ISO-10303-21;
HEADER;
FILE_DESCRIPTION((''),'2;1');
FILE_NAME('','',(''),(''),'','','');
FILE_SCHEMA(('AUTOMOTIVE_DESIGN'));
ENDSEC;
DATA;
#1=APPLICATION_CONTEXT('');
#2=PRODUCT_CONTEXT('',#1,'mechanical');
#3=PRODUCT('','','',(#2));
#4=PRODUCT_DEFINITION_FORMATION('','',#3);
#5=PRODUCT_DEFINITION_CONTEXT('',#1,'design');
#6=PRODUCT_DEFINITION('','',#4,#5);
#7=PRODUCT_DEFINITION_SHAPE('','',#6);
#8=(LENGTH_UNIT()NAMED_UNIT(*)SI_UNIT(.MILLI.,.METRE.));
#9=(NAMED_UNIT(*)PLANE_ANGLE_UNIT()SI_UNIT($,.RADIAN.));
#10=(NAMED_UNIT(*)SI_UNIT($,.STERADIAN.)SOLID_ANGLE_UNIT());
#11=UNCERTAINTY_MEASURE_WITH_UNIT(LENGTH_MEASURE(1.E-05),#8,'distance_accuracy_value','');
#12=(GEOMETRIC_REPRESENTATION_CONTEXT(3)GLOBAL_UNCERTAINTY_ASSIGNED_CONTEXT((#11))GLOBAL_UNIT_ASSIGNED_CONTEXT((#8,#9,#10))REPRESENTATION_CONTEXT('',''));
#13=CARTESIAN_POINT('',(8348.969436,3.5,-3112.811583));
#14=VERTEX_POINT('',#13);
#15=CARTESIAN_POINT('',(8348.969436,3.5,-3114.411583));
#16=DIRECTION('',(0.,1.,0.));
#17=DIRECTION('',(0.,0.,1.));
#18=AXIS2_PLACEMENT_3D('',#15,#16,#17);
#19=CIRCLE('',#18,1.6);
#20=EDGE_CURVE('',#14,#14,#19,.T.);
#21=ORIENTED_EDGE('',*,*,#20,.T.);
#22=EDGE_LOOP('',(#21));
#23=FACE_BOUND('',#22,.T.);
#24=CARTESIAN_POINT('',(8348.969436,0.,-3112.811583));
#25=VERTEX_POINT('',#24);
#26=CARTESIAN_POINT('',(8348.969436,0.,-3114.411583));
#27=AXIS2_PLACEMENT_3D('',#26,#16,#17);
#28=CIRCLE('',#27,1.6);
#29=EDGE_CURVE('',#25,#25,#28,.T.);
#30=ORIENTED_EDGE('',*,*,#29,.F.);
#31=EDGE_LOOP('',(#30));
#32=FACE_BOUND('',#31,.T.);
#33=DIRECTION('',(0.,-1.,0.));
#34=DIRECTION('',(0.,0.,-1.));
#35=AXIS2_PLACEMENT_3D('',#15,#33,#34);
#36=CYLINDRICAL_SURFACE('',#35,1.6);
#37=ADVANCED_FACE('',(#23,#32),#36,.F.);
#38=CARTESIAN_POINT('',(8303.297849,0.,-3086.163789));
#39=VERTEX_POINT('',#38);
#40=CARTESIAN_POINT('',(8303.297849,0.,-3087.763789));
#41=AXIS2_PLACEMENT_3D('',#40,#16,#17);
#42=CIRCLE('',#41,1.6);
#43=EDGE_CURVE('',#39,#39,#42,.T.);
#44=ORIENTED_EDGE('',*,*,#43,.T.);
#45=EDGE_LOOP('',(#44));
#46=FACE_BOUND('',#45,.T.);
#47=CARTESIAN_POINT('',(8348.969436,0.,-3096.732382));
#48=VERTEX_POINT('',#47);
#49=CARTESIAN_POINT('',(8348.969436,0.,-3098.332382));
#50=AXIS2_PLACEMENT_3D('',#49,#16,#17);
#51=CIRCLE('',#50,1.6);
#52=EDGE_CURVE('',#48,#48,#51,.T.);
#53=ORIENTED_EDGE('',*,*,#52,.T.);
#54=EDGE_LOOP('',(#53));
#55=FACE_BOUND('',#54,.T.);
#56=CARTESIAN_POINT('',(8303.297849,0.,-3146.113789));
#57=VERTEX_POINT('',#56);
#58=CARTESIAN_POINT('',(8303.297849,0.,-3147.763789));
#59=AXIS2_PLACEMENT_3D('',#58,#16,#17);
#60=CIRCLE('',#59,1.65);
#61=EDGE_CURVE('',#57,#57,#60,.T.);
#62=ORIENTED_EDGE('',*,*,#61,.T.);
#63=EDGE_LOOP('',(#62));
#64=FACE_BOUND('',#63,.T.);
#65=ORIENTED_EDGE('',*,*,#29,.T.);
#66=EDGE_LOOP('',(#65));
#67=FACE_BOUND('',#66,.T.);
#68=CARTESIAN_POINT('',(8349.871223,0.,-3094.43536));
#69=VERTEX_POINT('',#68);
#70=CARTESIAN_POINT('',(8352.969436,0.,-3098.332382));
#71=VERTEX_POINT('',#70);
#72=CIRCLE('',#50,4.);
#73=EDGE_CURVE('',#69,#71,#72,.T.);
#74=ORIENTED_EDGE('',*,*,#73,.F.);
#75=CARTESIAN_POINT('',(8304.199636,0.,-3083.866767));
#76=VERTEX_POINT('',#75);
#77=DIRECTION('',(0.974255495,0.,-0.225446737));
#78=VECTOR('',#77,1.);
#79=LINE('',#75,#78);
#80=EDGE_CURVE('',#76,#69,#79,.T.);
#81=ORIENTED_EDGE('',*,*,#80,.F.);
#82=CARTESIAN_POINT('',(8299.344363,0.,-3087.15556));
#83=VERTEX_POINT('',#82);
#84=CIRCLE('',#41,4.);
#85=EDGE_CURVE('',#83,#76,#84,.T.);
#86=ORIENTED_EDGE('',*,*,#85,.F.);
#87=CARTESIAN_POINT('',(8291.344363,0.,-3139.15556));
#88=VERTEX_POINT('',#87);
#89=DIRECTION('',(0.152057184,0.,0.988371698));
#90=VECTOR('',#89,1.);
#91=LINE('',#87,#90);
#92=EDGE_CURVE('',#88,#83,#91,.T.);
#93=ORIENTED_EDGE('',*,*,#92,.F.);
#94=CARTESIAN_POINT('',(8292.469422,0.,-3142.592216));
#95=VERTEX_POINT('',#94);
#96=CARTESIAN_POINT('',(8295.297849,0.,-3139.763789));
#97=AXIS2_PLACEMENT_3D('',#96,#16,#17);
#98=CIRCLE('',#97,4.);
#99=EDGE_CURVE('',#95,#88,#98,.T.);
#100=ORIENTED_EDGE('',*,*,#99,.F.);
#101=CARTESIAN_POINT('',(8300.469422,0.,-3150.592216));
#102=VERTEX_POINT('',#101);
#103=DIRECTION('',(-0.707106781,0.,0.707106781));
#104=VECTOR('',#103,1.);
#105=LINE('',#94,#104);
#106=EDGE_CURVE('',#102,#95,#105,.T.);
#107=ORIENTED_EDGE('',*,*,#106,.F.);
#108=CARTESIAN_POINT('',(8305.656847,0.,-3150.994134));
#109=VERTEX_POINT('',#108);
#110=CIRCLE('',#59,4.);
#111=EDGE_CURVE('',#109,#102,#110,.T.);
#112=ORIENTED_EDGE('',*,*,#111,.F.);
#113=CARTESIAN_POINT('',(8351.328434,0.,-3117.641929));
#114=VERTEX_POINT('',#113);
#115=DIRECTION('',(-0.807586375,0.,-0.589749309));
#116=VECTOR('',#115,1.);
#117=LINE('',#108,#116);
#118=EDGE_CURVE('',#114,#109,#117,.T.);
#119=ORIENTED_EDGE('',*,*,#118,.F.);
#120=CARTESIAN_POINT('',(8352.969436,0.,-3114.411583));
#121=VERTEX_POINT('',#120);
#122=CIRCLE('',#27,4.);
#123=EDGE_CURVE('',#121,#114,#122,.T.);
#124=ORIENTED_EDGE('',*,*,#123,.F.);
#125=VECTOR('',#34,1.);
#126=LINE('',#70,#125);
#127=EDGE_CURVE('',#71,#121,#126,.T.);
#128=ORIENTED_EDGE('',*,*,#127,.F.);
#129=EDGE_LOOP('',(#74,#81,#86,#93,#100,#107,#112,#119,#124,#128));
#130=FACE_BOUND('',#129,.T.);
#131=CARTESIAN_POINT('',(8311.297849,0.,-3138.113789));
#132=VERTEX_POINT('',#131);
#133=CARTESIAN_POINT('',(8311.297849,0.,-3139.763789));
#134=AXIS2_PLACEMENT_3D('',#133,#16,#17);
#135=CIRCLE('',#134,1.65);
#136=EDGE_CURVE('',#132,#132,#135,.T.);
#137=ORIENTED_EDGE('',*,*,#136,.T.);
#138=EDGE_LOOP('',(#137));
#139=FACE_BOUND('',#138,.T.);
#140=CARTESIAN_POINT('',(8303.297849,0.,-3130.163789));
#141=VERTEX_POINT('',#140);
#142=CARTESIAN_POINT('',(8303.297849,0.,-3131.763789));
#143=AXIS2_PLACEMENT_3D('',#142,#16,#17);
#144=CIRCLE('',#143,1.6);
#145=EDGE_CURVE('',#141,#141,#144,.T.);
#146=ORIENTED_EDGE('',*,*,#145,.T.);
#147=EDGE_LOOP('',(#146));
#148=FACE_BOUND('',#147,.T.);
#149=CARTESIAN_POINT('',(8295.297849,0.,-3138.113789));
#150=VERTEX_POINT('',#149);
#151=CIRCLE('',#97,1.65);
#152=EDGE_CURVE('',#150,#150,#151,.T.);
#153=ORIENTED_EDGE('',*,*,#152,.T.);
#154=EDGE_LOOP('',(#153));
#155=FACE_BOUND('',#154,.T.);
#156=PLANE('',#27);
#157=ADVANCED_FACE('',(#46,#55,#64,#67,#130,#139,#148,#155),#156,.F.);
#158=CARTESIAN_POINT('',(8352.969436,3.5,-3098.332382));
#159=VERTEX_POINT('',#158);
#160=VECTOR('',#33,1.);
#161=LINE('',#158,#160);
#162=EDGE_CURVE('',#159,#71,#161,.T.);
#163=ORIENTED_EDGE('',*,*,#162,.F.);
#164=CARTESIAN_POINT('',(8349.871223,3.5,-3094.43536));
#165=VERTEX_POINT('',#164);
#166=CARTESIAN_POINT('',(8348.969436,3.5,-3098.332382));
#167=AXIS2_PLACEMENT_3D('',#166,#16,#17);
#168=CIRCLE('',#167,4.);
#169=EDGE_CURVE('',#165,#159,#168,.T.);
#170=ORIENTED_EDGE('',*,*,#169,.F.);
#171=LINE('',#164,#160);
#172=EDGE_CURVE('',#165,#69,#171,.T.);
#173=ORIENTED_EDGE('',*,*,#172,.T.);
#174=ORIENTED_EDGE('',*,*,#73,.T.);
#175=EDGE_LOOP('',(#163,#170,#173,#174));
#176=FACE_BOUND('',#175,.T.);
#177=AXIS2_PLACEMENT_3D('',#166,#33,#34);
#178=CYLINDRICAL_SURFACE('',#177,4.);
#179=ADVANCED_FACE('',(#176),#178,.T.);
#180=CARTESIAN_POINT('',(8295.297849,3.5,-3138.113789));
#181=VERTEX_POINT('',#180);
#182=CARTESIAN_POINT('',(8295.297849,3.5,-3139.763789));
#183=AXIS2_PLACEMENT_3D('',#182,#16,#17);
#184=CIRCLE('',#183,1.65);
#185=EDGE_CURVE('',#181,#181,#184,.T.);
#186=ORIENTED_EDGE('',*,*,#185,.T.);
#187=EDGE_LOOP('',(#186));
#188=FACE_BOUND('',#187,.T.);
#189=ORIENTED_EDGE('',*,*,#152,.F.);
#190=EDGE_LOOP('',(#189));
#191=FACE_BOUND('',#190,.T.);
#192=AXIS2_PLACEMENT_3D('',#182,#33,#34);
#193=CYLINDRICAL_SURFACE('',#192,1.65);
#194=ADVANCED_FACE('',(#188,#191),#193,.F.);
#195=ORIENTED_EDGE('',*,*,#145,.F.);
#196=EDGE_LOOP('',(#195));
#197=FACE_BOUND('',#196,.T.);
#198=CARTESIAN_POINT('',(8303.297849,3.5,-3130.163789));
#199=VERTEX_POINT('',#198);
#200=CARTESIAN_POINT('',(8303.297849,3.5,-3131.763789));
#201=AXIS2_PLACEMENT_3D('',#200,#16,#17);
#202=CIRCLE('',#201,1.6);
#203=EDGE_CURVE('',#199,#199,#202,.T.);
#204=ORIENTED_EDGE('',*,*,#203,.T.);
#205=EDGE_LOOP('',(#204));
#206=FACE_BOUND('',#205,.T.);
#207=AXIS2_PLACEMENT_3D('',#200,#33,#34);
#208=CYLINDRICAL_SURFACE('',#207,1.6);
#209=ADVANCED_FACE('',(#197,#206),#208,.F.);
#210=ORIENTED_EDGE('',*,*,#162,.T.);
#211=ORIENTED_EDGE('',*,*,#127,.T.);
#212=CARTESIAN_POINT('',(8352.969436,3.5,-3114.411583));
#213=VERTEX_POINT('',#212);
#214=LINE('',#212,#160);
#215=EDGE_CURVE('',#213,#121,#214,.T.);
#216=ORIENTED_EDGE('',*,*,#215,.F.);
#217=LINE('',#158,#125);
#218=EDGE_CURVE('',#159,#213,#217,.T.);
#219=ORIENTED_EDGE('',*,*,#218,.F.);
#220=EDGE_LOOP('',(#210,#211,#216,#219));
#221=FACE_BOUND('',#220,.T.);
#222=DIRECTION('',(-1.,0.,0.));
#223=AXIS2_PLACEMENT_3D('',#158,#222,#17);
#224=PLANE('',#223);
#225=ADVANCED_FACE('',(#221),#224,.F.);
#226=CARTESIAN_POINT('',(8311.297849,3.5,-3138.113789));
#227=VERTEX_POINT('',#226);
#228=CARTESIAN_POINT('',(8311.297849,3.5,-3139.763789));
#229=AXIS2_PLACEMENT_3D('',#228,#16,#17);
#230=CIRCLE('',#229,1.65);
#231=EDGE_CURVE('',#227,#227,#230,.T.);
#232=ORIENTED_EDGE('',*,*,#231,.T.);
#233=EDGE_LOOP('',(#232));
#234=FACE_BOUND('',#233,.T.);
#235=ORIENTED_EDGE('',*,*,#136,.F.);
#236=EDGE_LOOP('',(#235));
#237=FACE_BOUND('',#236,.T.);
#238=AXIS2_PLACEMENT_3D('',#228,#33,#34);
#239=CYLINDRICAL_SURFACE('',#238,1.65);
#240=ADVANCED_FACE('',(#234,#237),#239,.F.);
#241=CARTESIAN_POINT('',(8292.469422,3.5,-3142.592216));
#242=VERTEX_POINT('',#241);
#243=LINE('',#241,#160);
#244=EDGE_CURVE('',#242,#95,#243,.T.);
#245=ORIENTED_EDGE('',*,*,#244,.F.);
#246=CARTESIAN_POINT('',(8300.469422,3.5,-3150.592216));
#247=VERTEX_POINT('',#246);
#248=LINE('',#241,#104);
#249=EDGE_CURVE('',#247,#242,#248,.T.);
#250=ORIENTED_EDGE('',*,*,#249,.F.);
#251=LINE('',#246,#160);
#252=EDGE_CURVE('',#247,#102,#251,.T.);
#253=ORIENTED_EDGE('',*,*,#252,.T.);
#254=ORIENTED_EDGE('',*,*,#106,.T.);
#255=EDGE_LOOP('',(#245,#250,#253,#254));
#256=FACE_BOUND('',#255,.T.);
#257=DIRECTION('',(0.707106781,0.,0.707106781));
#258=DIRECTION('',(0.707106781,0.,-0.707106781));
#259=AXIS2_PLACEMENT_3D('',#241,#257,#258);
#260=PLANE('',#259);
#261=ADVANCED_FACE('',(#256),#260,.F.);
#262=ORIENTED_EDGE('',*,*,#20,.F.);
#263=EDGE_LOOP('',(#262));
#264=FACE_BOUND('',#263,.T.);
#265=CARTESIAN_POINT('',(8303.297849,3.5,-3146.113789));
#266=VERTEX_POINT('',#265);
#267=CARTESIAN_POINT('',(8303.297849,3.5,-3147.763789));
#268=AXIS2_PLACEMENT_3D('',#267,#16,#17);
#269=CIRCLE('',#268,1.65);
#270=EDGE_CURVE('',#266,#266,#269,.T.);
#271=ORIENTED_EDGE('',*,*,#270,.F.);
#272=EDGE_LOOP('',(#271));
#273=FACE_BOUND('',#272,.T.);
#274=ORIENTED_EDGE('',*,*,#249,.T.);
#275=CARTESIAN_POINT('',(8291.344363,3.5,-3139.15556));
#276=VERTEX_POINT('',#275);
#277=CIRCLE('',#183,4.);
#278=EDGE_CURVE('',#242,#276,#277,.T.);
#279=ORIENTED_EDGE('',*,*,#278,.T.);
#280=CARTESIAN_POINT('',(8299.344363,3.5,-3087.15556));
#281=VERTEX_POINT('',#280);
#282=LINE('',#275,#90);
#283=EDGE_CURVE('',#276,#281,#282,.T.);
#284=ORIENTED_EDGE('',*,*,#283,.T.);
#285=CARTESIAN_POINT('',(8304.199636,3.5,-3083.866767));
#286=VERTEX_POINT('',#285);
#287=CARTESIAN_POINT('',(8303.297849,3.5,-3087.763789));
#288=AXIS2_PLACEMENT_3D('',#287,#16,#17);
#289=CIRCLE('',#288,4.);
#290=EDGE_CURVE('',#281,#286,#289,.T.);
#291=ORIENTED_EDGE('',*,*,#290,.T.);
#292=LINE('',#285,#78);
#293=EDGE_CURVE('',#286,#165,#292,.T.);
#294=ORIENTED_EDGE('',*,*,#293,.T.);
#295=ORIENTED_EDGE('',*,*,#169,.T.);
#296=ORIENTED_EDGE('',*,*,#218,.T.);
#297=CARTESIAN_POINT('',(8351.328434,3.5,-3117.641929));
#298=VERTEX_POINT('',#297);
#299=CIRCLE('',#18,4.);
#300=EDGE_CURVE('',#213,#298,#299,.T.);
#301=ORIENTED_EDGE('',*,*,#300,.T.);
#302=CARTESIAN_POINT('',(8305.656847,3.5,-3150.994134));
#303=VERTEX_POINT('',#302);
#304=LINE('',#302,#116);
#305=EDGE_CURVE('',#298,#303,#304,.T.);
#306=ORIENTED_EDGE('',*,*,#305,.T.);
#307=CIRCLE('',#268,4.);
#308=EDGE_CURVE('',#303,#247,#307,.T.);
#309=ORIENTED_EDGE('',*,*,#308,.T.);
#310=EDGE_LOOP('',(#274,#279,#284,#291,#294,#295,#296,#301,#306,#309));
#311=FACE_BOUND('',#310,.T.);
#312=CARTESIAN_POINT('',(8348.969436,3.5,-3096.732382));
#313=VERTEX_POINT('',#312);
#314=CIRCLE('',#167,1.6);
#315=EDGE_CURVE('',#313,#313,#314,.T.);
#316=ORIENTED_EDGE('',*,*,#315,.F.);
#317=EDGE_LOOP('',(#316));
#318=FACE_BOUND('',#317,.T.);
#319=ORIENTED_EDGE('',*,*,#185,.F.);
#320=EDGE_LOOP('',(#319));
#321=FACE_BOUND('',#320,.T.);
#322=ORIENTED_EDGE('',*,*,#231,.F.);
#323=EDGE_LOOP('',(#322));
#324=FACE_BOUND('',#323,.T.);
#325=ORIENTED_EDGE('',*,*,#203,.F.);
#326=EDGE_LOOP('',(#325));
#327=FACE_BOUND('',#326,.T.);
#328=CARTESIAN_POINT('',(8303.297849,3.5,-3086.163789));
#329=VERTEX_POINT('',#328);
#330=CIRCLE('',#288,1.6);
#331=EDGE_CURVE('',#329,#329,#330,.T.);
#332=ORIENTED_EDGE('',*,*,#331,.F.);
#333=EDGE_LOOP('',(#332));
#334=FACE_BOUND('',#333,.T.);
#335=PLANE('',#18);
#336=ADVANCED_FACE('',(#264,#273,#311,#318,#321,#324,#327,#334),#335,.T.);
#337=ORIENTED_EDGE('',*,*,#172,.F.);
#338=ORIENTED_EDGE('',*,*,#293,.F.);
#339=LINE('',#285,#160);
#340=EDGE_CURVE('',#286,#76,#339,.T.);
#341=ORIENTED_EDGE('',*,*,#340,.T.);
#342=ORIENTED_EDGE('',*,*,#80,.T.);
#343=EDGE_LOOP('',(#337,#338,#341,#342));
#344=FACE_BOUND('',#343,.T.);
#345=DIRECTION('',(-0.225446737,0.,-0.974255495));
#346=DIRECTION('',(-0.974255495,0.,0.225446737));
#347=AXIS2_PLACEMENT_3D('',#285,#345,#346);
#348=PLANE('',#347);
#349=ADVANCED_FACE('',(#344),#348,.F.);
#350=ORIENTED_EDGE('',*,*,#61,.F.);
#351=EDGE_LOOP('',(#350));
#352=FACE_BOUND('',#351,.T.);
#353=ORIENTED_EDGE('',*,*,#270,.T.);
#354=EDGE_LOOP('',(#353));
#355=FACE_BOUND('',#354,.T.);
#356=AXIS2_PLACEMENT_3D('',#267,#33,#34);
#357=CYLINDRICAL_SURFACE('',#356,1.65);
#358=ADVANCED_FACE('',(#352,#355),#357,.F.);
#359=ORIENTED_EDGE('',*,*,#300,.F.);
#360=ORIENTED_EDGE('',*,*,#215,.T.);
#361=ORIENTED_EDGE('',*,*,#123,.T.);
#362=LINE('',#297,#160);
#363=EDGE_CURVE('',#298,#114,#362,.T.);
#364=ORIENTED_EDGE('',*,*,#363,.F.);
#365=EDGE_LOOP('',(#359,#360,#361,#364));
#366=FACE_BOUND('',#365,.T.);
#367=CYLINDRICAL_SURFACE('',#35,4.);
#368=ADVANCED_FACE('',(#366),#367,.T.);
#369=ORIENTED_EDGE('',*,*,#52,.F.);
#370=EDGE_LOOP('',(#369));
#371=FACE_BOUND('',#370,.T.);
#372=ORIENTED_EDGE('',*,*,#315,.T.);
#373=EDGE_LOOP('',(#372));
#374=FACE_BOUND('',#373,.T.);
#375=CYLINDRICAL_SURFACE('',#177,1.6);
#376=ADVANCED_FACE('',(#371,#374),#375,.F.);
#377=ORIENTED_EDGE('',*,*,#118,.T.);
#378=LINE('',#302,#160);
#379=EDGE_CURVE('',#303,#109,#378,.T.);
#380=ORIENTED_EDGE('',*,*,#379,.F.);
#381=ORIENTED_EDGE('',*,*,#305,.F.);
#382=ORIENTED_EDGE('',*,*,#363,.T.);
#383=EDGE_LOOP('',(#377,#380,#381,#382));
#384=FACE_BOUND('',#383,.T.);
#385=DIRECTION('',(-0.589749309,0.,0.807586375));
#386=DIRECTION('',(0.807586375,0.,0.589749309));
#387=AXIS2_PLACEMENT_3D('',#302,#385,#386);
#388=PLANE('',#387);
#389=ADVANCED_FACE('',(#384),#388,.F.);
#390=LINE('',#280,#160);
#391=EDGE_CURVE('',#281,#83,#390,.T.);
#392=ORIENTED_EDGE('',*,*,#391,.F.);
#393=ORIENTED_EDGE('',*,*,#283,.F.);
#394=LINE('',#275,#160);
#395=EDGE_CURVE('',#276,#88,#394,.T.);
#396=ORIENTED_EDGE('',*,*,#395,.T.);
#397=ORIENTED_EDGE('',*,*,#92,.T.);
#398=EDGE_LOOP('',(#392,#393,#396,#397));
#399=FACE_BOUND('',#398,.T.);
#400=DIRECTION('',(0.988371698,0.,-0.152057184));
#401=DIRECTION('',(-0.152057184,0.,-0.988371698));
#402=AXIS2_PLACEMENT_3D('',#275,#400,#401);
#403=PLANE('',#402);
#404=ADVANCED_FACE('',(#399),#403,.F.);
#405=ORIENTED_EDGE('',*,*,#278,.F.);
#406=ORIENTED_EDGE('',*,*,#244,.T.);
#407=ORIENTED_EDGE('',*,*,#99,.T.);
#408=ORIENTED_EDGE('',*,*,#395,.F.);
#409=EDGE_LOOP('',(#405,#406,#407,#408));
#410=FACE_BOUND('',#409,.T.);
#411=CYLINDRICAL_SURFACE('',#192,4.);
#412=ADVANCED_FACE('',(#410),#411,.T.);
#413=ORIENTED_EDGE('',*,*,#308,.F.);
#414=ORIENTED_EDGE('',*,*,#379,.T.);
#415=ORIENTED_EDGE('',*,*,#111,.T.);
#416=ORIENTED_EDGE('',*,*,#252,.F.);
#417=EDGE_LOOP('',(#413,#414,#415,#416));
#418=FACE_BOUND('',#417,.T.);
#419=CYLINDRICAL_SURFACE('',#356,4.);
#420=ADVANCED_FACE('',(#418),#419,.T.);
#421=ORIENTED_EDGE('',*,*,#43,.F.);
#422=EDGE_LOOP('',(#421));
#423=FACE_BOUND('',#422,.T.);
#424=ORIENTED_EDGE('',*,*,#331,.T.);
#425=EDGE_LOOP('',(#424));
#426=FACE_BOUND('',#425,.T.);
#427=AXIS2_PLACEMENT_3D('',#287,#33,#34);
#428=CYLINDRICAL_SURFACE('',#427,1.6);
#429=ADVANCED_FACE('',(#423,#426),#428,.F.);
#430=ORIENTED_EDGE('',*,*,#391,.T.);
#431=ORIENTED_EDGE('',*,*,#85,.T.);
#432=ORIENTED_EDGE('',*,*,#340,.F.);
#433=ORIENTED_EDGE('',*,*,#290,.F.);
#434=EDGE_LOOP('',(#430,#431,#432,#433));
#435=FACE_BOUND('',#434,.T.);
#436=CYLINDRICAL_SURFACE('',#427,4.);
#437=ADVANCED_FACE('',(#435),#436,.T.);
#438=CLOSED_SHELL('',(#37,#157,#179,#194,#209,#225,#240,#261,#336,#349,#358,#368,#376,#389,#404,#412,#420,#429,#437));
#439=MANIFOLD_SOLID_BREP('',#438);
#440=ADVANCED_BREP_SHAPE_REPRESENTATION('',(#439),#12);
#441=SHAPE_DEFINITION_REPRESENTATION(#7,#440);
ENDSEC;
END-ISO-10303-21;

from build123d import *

# Parameters (mm, degrees)
SKETCH_1_R      = 1.6
SKETCH_1_R_2    = 1.65
EXTRUDE_1_DEPTH = 3.5


with BuildPart() as part:
    # 草图1 → 凸台-拉伸1 (new body)
    with BuildSketch(Plane(origin=(0, 0, 0), x_dir=(1, 0, 0), z_dir=(0, 1, 0))):
        with BuildLine():
            Line((8304.199636281, 3083.866766782), (8349.87122342, 3094.435360284))
            ThreePointArc((8349.87122342, 3094.435360284), (8352.100502408, 3095.843120102), (8352.969436472, 3098.332382262))
            Line((8352.969436472, 3098.332382262), (8352.969436472, 3114.411583007))
            ThreePointArc((8352.969436472, 3114.411583007), (8352.5356662, 3116.223213635), (8351.328433707, 3117.641928507))
            Line((8351.328433707, 3117.641928507), (8305.656846567, 3150.99413426))
            ThreePointArc((8305.656846567, 3150.99413426), (8302.988857908, 3151.75183644), (8300.469422208, 3150.592215885))
            Line((8300.469422208, 3150.592215885), (8292.469422208, 3142.592215885))
            ThreePointArc((8292.469422208, 3142.592215885), (8291.496370678, 3141.008280638), (8291.344362542, 3139.155560023))
            Line((8291.344362542, 3139.155560023), (8299.344362542, 3087.155560023))
            ThreePointArc((8299.344362542, 3087.155560023), (8301.054579793, 3084.452030652), (8304.199636281, 3083.866766782))
        make_face()
        with Locations(Location((8348.969436472, 3098.332382262, 0), (0, 0, 270))):
            Circle(SKETCH_1_R, mode=Mode.SUBTRACT)
        with Locations(Location((8348.969436472, 3114.411583007, 0), (0, 0, 270))):
            Circle(SKETCH_1_R, mode=Mode.SUBTRACT)
        with Locations(Location((8303.297849333, 3131.76378876, 0), (0, 0, 270))):
            Circle(SKETCH_1_R, mode=Mode.SUBTRACT)
        with Locations(Location((8303.297849333, 3087.76378876, 0), (0, 0, 270))):
            Circle(SKETCH_1_R, mode=Mode.SUBTRACT)
        with Locations(Location((8303.297849333, 3147.76378876, 0), (0, 0, 270))):
            Circle(SKETCH_1_R_2, mode=Mode.SUBTRACT)
        with Locations(Location((8295.297849333, 3139.76378876, 0), (0, 0, 270))):
            Circle(SKETCH_1_R_2, mode=Mode.SUBTRACT)
        with Locations(Location((8311.297849333, 3139.76378876, 0), (0, 0, 270))):
            Circle(SKETCH_1_R_2, mode=Mode.SUBTRACT)
    extrude(amount=EXTRUDE_1_DEPTH)


solid = part.part
